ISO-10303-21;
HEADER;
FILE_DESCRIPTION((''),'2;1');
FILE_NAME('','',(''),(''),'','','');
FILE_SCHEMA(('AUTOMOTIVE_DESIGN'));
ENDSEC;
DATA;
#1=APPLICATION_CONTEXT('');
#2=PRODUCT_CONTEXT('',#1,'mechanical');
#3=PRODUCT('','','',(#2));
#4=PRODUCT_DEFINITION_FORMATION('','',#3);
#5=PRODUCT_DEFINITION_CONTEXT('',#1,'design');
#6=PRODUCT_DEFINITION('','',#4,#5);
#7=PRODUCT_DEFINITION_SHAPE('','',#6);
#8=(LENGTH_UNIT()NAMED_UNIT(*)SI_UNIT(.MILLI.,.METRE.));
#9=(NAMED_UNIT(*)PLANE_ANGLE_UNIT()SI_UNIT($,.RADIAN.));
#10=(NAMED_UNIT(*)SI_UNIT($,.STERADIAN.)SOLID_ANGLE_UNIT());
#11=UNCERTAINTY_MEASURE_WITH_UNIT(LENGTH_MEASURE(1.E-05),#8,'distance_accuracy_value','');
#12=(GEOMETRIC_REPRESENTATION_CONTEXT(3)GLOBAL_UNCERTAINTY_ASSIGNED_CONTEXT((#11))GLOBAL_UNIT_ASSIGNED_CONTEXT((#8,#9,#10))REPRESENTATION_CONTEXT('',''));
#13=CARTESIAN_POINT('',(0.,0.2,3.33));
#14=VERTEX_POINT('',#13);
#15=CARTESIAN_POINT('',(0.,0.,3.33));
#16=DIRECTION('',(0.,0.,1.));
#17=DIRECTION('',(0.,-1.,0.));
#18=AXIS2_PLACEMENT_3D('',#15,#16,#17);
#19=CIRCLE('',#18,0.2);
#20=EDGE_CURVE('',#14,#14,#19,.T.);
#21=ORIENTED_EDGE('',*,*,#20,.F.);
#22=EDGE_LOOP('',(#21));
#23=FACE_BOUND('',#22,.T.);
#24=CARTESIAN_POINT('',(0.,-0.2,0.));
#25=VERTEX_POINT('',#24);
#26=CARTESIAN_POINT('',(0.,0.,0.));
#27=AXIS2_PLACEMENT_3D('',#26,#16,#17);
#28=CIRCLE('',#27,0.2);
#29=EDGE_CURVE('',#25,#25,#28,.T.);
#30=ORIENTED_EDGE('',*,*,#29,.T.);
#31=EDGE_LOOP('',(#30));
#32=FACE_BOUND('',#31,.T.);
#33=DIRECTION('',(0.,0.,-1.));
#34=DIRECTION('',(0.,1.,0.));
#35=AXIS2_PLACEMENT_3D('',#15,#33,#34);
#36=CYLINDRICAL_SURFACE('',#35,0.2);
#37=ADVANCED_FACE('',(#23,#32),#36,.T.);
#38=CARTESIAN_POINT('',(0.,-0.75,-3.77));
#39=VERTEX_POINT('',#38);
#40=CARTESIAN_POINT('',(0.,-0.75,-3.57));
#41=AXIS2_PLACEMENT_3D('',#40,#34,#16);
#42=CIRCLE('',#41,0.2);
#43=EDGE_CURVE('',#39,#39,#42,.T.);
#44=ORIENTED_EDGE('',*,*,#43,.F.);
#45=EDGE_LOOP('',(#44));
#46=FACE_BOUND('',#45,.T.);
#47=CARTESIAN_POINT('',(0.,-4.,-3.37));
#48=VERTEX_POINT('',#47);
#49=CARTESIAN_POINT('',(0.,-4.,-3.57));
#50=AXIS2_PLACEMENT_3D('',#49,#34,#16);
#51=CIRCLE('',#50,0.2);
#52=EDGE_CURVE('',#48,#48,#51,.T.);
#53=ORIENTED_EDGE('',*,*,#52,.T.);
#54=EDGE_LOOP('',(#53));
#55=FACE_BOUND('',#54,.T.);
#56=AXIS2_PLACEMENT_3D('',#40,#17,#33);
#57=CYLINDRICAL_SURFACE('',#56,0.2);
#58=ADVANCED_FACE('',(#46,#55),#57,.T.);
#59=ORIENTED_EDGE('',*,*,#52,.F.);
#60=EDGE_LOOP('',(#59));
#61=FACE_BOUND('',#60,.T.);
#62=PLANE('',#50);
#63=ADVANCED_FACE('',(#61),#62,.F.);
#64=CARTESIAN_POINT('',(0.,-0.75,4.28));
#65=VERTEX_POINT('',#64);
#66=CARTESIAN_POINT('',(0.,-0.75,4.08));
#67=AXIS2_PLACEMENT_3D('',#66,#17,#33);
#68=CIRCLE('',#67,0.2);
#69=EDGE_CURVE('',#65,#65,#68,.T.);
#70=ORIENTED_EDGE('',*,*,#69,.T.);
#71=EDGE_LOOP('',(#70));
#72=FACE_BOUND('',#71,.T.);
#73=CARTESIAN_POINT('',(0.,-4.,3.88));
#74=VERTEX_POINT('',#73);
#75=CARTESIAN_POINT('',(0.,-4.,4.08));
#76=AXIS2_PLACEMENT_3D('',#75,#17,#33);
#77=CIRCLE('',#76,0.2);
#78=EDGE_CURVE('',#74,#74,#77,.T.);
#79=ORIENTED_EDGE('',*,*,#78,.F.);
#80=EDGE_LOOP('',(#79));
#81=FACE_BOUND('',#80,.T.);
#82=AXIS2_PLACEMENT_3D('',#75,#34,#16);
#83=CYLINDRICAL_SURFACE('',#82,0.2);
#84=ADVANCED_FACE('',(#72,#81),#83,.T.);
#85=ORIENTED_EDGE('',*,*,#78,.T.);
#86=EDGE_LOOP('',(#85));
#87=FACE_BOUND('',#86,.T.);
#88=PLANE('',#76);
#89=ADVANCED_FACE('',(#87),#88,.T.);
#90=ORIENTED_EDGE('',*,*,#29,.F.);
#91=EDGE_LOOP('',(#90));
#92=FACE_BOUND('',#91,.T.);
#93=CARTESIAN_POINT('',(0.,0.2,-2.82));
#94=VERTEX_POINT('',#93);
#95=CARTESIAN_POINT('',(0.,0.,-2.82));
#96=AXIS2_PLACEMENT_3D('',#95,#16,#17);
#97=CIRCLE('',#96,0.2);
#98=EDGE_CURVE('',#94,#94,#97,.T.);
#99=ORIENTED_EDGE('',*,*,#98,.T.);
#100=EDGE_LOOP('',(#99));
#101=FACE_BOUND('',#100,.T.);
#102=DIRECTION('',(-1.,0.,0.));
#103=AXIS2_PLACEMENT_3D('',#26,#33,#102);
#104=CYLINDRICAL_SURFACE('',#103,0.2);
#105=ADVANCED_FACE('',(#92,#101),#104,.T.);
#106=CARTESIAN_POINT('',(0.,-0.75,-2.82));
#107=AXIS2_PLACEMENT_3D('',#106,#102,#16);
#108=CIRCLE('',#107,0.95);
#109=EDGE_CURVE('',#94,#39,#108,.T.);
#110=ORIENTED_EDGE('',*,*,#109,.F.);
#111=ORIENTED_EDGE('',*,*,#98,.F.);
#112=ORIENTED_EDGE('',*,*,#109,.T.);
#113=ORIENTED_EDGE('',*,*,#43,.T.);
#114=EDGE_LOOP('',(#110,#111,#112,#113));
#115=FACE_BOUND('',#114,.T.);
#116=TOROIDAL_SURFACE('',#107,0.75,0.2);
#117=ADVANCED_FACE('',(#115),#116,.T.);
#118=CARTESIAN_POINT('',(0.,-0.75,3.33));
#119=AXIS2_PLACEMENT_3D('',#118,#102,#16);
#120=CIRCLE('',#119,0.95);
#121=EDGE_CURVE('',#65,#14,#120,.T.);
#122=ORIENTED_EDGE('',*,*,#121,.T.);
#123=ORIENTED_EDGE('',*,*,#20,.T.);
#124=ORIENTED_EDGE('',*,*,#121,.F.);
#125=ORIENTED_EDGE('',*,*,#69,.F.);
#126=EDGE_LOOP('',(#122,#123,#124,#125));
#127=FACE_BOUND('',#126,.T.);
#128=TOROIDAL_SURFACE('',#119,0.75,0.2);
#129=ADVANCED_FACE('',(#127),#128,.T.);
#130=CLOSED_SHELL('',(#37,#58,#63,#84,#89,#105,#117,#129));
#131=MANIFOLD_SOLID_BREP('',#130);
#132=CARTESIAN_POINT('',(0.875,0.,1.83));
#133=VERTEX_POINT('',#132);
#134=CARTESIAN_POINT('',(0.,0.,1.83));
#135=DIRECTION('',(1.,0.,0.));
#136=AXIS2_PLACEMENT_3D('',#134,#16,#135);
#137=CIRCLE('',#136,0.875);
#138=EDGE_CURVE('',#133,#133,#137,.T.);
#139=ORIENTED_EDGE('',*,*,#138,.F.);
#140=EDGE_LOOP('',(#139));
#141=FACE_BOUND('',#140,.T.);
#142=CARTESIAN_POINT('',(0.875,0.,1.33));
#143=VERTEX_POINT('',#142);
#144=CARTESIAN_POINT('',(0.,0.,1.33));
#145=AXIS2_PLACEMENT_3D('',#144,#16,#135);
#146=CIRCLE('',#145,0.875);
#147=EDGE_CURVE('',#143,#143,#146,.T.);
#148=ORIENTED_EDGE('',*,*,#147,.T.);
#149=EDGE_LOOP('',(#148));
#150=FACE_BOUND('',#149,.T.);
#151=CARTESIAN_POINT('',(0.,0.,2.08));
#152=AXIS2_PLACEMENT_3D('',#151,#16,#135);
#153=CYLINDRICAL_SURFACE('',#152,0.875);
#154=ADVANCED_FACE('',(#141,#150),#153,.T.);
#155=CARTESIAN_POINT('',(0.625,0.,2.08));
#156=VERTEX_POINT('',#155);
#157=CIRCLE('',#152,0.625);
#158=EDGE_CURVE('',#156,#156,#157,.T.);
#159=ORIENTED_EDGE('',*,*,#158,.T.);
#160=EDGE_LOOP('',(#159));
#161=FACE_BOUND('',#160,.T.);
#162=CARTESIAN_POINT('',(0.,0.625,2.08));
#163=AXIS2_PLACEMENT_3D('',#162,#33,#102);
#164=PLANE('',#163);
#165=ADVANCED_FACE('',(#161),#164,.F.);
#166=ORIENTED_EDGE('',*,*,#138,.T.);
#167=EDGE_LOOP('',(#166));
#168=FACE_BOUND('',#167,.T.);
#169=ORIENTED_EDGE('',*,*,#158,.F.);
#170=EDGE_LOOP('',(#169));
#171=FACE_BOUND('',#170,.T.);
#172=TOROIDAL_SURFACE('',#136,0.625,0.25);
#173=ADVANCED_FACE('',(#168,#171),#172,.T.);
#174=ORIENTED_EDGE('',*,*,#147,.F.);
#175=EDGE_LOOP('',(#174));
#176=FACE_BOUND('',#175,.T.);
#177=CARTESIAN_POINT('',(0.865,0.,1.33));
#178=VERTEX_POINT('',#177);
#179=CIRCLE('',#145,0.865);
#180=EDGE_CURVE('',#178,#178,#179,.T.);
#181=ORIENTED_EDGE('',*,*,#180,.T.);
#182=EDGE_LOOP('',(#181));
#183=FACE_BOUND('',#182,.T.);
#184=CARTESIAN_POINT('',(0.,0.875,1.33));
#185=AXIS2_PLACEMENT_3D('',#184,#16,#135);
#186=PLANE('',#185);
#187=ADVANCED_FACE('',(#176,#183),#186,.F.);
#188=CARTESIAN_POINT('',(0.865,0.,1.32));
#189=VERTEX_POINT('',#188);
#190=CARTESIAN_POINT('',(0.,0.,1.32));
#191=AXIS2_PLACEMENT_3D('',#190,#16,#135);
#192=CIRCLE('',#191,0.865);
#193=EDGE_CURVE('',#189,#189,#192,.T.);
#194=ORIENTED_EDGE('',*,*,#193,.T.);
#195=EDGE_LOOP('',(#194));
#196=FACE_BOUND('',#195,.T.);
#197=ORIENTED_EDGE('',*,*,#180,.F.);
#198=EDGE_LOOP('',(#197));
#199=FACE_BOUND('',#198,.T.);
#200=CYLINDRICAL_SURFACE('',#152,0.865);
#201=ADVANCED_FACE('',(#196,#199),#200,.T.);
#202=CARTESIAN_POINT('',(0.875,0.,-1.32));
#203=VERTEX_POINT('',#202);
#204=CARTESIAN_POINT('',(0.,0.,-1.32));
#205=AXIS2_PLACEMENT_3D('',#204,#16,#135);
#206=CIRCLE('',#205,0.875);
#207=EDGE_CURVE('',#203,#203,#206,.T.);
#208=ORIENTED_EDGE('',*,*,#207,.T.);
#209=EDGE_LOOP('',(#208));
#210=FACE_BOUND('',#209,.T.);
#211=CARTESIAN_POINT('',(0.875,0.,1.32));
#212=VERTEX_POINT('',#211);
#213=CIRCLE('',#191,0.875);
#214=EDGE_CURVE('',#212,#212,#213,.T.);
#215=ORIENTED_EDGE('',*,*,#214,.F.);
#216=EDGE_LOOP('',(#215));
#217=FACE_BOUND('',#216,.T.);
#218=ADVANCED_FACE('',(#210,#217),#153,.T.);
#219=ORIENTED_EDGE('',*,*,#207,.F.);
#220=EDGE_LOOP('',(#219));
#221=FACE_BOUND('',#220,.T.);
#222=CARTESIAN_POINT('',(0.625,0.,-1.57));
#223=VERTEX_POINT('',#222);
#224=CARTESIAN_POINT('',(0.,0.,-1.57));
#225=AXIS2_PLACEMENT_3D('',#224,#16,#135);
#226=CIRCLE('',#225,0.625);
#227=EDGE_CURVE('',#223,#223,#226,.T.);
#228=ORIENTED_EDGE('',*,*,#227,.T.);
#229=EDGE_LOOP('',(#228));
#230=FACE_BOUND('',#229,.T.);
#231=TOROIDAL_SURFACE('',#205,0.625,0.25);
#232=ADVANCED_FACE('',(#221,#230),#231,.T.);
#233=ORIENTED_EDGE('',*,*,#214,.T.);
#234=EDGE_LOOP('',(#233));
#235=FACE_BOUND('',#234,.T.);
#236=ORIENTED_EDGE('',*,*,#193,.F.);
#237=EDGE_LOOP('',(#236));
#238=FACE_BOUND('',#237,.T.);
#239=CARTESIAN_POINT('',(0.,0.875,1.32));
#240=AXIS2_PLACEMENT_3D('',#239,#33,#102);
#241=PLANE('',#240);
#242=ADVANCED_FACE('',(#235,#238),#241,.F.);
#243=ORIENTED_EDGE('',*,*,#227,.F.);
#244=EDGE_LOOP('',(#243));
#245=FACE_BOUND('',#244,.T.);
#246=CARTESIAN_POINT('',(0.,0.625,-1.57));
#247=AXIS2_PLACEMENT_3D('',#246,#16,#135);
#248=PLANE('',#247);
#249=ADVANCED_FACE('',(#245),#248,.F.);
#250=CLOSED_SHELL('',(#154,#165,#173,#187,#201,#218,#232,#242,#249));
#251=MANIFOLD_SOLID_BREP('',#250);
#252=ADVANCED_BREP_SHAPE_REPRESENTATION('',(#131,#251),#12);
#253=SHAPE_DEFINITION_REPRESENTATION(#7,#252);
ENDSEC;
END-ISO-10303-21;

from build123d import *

# Parameters (mm, degrees)
SWEEP1_PROFILE_R = 0.2


with BuildPart() as part:
    # Sketch1 → Revolve1 (revolve)
    with BuildSketch(Plane(origin=(0, 0, 0), x_dir=(0, 0, -1), z_dir=(1, 0, 0)), mode=Mode.PRIVATE) as revolve1_sk:
        with BuildLine():
            Line((-1.83, 0.875), (-1.33, 0.875))
            Line((-1.33, 0.875), (-1.33, 0.865))
            Line((-1.33, 0.865), (-1.32, 0.865))
            Line((-1.32, 0.865), (-1.32, 0.875))
            Line((-1.32, 0.875), (1.32, 0.875))
            ThreePointArc((1.32, 0.875), (1.496776695, 0.801776695), (1.57, 0.625))
            Line((1.57, 0.625), (1.57, 0))
            Line((1.57, 0), (-2.08, 0))
            Line((-2.08, 0), (-2.08, 0.625))
            ThreePointArc((-2.08, 0.625), (-2.006776695, 0.801776695), (-1.83, 0.875))
        make_face()
    revolve(revolve1_sk.sketch.rotate(Axis((0, 0, 2.08), (0, 0, -1)), 90), axis=Axis((0, 0, 2.08), (0, 0, -1)))


with BuildPart() as body_2:
    # Sweep1: sweep along a path in Sketch2
    with BuildLine(Plane(origin=(0, 0, 0), x_dir=(0, 0, -1), z_dir=(1, 0, 0))) as sweep1_path:
        Line((-4.08, -4), (-4.08, -0.75))
        ThreePointArc((-4.08, -0.75), (-3.860330086, -0.219669914), (-3.33, 0))
        Line((-3.33, 0), (0, 0))
        Line((0, 0), (2.82, 0))
        ThreePointArc((2.82, 0), (3.350330086, -0.219669914), (3.57, -0.75))
        Line((3.57, -0.75), (3.57, -4))
    # Sweep1 profile (on start of the path) → Sweep1 (sweep)
    with BuildSketch(Plane(origin=(0, -4, 4.08), x_dir=(0, 0, 1), z_dir=(0, 1, 0))):
        Circle(SWEEP1_PROFILE_R)
    sweep(path=sweep1_path.line)


solid = Compound([part.part, body_2.part])
